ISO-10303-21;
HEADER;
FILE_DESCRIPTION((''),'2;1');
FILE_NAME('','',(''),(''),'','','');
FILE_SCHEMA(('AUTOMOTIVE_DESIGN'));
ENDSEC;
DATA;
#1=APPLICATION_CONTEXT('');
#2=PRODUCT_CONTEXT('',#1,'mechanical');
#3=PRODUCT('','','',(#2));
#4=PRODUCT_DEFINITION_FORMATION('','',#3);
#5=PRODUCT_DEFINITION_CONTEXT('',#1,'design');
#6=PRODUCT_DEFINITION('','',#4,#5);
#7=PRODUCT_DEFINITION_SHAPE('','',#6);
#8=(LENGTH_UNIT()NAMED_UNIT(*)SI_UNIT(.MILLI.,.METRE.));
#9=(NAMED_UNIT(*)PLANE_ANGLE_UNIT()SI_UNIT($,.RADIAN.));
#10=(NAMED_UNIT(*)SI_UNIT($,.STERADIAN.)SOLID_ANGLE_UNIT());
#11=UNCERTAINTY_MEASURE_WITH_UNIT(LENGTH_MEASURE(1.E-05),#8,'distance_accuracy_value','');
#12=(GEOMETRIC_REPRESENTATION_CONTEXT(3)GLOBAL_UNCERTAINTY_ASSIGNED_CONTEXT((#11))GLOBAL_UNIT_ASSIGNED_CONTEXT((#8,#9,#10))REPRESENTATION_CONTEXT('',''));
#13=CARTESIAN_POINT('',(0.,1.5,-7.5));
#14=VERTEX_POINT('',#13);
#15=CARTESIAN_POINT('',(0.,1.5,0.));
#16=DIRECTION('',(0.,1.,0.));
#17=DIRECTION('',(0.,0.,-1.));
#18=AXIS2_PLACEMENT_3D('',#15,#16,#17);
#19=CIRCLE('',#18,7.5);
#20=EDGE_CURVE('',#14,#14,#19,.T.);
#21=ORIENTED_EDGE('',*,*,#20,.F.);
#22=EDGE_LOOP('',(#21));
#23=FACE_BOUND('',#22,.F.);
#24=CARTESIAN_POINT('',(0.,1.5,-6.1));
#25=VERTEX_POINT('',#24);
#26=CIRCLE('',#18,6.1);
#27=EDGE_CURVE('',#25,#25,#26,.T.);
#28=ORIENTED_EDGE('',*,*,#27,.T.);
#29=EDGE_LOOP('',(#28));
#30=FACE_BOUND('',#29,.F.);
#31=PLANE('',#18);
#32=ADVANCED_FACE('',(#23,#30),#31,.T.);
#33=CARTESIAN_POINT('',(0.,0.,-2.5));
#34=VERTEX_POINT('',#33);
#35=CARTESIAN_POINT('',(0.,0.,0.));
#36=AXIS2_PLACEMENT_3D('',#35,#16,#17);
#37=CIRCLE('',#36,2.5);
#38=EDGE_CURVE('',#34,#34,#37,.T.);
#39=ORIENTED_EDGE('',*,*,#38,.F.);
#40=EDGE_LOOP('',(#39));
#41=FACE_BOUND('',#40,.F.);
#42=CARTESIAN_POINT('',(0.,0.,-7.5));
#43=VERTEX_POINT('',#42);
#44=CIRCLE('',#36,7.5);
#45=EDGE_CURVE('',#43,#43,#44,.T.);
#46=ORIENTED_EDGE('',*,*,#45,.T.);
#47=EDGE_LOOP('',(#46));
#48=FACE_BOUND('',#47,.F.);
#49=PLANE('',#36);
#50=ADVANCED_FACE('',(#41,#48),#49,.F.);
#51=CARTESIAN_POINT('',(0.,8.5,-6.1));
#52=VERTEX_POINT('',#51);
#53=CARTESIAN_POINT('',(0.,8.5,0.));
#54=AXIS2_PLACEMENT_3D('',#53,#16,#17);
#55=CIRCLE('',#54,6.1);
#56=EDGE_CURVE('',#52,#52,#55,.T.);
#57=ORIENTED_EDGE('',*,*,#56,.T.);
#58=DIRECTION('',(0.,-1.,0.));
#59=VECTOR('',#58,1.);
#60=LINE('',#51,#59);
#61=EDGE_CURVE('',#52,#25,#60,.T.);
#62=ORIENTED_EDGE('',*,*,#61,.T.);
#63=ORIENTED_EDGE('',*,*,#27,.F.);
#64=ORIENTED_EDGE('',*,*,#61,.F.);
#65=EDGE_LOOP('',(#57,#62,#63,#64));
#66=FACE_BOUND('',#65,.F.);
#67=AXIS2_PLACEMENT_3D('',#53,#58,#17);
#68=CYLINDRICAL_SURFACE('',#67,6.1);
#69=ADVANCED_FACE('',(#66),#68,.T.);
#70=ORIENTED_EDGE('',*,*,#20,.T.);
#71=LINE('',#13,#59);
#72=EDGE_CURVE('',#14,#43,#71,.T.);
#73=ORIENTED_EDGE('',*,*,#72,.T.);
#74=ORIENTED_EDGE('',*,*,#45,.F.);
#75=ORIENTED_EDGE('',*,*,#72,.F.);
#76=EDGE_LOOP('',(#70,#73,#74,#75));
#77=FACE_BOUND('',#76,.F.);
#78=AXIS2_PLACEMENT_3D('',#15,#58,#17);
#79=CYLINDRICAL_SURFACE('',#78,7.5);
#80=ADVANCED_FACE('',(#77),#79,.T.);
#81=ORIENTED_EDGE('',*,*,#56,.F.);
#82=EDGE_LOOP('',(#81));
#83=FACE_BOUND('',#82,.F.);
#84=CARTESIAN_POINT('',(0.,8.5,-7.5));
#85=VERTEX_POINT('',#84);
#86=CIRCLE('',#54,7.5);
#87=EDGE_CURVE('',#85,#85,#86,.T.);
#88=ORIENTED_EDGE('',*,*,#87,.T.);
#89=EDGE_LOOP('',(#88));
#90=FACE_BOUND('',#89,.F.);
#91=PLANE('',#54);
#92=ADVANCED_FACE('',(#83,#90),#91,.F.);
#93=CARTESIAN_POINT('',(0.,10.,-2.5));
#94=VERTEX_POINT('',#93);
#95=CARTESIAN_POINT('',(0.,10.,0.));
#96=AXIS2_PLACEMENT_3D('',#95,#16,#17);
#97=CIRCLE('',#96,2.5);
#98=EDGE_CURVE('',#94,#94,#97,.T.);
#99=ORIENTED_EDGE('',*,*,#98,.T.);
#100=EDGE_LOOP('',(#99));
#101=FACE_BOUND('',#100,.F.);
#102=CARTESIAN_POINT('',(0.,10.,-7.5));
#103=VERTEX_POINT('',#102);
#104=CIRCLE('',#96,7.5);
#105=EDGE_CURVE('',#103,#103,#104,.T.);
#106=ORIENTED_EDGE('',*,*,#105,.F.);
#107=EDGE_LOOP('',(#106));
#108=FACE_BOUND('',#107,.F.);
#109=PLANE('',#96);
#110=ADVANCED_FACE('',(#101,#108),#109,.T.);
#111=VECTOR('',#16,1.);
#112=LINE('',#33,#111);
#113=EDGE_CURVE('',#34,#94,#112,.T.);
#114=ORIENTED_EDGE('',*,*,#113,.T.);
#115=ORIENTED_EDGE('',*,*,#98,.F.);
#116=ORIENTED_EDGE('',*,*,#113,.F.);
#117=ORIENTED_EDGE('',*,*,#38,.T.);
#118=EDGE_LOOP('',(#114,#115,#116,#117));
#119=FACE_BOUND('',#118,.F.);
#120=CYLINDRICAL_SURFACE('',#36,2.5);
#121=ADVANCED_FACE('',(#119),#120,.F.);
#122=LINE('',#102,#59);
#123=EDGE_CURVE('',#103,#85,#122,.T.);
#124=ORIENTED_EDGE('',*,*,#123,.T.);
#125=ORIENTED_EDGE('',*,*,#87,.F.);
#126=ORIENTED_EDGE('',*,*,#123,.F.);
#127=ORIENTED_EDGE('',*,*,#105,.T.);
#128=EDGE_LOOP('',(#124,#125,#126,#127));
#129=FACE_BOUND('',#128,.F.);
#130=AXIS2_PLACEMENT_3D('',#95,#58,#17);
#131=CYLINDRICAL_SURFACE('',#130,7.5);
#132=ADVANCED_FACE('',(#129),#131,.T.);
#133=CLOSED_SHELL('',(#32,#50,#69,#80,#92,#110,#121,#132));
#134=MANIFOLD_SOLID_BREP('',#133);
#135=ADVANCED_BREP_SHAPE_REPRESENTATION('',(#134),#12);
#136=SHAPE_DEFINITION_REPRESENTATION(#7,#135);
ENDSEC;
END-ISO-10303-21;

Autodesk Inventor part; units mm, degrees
ref_plane "YZ Plane" through (0, 0, 0) normal (1, 0, 0) x (0, 1, 0)
ref_plane "XZ Plane" through (0, 0, 0) normal (0, 1, 0) x (-1, 0, 0)
ref_plane "XY Plane" through (0, 0, 0) normal (0, 0, 1) x (1, 0, 0)
sketch "Sketch1" plane through (0, 0, 0) normal (1, 0, 0) x (0, 1, 0)
  line L0 (0, 0) -> (17.2785, 0)
  line L1 (0, -2.5) -> (10, -2.5)
  line L2 (10, -2.5) -> (10, -7.5)
  line L3 (10, -7.5) -> (8.5, -7.5)
  line L4 (8.5, -7.5) -> (8.5, -6.1)
  line L5 (8.5, -6.1) -> (1.5, -6.1)
  line L6 (1.5, -6.1) -> (1.5, -7.5)
  line L7 (1.5, -7.5) -> (0, -7.5)
  line L8 (0, -7.5) -> (0, -2.5)
  point P0 (5, -2.5)
  dimension "d1" = 5
  dimension "d2" = 15
  dimension "d3" = 12.2
  dimension "d4" = 7
  dimension "d5" = 1.5
revolve "Revolution1" add sketch "Sketch1" angle 360 about axis through (0, 0, 0) along (0, 1, 0)
properties part number "6mm toothed idler" material "Aluminum 6061"
